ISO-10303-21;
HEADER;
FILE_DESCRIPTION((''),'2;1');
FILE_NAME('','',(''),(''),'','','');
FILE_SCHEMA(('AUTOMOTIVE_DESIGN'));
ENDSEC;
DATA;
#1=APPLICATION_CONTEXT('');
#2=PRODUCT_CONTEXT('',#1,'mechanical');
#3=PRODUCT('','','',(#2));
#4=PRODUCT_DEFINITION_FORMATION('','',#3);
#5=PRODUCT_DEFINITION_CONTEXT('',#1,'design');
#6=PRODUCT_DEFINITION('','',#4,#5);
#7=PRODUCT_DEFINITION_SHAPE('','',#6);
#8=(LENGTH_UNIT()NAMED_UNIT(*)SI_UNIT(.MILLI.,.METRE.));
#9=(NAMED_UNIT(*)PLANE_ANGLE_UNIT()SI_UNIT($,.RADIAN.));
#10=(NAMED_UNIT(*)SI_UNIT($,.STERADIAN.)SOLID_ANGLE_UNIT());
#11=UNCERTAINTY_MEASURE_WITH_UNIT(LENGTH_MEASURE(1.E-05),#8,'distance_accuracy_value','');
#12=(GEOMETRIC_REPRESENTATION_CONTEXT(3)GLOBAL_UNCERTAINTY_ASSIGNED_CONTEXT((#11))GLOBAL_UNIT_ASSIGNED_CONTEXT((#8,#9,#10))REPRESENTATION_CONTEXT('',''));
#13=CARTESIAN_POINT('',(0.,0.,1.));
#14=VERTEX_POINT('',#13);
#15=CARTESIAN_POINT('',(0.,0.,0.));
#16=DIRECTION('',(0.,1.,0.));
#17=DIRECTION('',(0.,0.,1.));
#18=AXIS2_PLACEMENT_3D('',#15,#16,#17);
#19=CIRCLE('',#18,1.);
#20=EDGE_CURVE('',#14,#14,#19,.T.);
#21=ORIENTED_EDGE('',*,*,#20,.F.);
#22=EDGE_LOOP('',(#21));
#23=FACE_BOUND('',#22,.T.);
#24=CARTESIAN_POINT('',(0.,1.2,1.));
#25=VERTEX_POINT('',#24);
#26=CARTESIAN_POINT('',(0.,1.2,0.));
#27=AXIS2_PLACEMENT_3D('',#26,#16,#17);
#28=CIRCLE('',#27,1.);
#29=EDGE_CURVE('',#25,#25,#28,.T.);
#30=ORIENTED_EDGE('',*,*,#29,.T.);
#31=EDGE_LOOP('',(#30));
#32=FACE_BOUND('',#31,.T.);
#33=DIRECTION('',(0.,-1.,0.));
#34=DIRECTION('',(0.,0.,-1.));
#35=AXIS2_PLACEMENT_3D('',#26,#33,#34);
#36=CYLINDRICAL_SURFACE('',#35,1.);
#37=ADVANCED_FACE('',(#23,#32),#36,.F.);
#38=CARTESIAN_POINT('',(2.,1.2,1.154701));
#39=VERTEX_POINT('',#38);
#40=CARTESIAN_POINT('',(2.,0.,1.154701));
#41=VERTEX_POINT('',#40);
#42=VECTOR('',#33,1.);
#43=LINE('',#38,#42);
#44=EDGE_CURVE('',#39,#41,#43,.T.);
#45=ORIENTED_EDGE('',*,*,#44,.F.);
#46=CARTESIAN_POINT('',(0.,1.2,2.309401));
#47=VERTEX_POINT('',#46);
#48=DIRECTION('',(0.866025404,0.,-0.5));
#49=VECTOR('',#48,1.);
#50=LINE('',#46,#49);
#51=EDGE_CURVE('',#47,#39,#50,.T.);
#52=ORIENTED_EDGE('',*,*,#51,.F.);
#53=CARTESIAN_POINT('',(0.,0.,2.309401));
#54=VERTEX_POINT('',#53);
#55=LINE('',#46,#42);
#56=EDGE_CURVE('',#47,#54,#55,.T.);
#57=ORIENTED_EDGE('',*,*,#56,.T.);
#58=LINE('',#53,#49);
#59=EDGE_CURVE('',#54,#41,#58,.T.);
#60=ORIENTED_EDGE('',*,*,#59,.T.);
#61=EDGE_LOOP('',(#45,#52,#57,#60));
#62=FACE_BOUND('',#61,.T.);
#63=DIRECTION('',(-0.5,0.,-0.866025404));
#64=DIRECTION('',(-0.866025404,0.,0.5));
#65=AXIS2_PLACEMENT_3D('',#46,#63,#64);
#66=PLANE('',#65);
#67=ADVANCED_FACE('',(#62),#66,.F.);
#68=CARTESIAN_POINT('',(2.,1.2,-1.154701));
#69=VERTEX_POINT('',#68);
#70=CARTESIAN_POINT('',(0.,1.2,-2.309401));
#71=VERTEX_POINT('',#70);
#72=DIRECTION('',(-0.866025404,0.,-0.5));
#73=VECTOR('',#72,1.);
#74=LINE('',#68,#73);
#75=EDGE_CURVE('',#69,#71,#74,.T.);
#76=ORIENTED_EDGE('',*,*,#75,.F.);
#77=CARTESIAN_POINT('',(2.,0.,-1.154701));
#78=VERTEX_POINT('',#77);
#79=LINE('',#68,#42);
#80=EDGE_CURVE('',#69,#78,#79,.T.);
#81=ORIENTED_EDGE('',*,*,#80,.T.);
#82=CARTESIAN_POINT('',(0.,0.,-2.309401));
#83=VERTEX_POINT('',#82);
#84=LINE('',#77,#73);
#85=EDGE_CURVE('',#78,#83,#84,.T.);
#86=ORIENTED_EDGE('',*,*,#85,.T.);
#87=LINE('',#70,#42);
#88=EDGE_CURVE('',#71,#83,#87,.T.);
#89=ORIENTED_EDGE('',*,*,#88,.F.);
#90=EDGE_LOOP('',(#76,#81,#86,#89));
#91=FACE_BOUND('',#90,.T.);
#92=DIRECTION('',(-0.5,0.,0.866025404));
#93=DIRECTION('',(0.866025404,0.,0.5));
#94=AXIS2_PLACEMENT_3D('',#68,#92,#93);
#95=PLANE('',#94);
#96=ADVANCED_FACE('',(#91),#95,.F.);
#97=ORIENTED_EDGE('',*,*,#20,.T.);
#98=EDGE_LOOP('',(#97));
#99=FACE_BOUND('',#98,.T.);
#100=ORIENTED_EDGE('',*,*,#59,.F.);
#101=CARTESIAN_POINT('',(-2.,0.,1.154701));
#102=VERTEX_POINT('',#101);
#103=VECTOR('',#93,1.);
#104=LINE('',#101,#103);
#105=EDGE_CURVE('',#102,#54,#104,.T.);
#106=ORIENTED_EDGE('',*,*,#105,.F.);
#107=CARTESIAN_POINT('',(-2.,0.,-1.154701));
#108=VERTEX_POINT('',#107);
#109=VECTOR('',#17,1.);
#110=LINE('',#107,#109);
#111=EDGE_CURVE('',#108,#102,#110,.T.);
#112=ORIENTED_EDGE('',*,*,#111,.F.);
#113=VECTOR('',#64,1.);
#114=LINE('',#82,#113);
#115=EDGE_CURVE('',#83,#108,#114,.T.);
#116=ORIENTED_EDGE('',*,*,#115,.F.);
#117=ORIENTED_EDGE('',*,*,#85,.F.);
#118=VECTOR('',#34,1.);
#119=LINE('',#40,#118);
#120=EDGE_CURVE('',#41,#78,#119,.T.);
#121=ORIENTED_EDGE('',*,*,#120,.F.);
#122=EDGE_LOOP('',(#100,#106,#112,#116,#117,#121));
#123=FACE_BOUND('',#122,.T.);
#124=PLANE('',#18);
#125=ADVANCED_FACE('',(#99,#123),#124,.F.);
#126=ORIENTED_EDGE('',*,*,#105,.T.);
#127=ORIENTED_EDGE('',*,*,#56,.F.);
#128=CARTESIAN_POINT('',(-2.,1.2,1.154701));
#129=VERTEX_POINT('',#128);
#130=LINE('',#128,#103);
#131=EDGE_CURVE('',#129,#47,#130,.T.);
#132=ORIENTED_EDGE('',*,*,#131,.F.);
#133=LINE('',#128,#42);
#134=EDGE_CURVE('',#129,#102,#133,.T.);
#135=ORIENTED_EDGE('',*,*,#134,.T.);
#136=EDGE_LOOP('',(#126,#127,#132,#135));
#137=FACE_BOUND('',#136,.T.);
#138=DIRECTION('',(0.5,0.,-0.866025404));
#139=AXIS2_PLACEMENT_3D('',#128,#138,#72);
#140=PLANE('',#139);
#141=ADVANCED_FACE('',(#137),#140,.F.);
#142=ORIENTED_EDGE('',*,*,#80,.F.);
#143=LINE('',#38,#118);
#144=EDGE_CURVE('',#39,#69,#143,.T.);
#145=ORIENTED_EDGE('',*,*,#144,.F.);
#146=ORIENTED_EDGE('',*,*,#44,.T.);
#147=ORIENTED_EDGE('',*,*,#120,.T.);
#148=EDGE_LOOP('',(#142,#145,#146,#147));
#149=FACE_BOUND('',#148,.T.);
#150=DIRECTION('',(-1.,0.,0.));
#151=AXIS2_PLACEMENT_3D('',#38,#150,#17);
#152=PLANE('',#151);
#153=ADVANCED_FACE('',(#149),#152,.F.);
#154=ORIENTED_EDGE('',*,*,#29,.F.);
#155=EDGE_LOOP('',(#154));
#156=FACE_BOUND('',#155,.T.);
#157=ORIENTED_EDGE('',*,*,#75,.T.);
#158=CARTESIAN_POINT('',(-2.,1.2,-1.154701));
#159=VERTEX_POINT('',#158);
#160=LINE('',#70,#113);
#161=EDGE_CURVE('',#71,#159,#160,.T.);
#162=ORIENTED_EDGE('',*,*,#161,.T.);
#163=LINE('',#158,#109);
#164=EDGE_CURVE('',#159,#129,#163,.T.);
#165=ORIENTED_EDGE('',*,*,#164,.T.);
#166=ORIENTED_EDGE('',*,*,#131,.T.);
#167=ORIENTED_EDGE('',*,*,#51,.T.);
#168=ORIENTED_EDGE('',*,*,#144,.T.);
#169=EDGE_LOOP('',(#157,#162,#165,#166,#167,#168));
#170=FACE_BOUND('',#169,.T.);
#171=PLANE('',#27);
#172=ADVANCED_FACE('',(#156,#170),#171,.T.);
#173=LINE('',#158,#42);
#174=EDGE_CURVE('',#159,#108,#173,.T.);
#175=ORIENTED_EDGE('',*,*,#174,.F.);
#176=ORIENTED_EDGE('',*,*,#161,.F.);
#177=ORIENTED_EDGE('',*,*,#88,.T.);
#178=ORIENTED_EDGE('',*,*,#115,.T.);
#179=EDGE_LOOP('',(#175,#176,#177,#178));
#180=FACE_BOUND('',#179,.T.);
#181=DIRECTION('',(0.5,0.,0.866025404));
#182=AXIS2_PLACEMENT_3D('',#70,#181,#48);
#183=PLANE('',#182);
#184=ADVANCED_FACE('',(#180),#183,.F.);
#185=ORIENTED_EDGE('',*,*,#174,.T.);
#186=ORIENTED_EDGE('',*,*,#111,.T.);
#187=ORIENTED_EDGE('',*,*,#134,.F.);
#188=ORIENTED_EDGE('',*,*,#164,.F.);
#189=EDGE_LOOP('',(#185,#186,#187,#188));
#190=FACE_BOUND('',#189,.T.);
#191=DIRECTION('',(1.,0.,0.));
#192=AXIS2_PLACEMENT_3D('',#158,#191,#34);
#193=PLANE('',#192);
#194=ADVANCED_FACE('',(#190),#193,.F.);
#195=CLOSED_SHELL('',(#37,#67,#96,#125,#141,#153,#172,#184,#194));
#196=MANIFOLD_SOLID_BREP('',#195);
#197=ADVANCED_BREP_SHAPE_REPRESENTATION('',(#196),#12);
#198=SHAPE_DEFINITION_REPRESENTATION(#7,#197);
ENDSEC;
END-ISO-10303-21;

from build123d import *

# Parameters (mm, degrees)
SKETCH_1_R      = 1
EXTRUDE_1_DEPTH = 1.2


with BuildPart() as part:
    # 草图1 → 凸台-拉伸1 (new body)
    with BuildSketch(Plane(origin=(0, 0, 0), x_dir=(1, 0, 0), z_dir=(0, 1, 0))):
        Polygon((0, 2.309401077), (-2, 1.154700538), (-2, -1.154700538), (0, -2.309401077), (2, -1.154700538), (2, 1.154700538), align=None)
        with Locations(Location((0, 0, 0), (0, 0, 270))):
            Circle(SKETCH_1_R, mode=Mode.SUBTRACT)
    extrude(amount=EXTRUDE_1_DEPTH)


solid = part.part
